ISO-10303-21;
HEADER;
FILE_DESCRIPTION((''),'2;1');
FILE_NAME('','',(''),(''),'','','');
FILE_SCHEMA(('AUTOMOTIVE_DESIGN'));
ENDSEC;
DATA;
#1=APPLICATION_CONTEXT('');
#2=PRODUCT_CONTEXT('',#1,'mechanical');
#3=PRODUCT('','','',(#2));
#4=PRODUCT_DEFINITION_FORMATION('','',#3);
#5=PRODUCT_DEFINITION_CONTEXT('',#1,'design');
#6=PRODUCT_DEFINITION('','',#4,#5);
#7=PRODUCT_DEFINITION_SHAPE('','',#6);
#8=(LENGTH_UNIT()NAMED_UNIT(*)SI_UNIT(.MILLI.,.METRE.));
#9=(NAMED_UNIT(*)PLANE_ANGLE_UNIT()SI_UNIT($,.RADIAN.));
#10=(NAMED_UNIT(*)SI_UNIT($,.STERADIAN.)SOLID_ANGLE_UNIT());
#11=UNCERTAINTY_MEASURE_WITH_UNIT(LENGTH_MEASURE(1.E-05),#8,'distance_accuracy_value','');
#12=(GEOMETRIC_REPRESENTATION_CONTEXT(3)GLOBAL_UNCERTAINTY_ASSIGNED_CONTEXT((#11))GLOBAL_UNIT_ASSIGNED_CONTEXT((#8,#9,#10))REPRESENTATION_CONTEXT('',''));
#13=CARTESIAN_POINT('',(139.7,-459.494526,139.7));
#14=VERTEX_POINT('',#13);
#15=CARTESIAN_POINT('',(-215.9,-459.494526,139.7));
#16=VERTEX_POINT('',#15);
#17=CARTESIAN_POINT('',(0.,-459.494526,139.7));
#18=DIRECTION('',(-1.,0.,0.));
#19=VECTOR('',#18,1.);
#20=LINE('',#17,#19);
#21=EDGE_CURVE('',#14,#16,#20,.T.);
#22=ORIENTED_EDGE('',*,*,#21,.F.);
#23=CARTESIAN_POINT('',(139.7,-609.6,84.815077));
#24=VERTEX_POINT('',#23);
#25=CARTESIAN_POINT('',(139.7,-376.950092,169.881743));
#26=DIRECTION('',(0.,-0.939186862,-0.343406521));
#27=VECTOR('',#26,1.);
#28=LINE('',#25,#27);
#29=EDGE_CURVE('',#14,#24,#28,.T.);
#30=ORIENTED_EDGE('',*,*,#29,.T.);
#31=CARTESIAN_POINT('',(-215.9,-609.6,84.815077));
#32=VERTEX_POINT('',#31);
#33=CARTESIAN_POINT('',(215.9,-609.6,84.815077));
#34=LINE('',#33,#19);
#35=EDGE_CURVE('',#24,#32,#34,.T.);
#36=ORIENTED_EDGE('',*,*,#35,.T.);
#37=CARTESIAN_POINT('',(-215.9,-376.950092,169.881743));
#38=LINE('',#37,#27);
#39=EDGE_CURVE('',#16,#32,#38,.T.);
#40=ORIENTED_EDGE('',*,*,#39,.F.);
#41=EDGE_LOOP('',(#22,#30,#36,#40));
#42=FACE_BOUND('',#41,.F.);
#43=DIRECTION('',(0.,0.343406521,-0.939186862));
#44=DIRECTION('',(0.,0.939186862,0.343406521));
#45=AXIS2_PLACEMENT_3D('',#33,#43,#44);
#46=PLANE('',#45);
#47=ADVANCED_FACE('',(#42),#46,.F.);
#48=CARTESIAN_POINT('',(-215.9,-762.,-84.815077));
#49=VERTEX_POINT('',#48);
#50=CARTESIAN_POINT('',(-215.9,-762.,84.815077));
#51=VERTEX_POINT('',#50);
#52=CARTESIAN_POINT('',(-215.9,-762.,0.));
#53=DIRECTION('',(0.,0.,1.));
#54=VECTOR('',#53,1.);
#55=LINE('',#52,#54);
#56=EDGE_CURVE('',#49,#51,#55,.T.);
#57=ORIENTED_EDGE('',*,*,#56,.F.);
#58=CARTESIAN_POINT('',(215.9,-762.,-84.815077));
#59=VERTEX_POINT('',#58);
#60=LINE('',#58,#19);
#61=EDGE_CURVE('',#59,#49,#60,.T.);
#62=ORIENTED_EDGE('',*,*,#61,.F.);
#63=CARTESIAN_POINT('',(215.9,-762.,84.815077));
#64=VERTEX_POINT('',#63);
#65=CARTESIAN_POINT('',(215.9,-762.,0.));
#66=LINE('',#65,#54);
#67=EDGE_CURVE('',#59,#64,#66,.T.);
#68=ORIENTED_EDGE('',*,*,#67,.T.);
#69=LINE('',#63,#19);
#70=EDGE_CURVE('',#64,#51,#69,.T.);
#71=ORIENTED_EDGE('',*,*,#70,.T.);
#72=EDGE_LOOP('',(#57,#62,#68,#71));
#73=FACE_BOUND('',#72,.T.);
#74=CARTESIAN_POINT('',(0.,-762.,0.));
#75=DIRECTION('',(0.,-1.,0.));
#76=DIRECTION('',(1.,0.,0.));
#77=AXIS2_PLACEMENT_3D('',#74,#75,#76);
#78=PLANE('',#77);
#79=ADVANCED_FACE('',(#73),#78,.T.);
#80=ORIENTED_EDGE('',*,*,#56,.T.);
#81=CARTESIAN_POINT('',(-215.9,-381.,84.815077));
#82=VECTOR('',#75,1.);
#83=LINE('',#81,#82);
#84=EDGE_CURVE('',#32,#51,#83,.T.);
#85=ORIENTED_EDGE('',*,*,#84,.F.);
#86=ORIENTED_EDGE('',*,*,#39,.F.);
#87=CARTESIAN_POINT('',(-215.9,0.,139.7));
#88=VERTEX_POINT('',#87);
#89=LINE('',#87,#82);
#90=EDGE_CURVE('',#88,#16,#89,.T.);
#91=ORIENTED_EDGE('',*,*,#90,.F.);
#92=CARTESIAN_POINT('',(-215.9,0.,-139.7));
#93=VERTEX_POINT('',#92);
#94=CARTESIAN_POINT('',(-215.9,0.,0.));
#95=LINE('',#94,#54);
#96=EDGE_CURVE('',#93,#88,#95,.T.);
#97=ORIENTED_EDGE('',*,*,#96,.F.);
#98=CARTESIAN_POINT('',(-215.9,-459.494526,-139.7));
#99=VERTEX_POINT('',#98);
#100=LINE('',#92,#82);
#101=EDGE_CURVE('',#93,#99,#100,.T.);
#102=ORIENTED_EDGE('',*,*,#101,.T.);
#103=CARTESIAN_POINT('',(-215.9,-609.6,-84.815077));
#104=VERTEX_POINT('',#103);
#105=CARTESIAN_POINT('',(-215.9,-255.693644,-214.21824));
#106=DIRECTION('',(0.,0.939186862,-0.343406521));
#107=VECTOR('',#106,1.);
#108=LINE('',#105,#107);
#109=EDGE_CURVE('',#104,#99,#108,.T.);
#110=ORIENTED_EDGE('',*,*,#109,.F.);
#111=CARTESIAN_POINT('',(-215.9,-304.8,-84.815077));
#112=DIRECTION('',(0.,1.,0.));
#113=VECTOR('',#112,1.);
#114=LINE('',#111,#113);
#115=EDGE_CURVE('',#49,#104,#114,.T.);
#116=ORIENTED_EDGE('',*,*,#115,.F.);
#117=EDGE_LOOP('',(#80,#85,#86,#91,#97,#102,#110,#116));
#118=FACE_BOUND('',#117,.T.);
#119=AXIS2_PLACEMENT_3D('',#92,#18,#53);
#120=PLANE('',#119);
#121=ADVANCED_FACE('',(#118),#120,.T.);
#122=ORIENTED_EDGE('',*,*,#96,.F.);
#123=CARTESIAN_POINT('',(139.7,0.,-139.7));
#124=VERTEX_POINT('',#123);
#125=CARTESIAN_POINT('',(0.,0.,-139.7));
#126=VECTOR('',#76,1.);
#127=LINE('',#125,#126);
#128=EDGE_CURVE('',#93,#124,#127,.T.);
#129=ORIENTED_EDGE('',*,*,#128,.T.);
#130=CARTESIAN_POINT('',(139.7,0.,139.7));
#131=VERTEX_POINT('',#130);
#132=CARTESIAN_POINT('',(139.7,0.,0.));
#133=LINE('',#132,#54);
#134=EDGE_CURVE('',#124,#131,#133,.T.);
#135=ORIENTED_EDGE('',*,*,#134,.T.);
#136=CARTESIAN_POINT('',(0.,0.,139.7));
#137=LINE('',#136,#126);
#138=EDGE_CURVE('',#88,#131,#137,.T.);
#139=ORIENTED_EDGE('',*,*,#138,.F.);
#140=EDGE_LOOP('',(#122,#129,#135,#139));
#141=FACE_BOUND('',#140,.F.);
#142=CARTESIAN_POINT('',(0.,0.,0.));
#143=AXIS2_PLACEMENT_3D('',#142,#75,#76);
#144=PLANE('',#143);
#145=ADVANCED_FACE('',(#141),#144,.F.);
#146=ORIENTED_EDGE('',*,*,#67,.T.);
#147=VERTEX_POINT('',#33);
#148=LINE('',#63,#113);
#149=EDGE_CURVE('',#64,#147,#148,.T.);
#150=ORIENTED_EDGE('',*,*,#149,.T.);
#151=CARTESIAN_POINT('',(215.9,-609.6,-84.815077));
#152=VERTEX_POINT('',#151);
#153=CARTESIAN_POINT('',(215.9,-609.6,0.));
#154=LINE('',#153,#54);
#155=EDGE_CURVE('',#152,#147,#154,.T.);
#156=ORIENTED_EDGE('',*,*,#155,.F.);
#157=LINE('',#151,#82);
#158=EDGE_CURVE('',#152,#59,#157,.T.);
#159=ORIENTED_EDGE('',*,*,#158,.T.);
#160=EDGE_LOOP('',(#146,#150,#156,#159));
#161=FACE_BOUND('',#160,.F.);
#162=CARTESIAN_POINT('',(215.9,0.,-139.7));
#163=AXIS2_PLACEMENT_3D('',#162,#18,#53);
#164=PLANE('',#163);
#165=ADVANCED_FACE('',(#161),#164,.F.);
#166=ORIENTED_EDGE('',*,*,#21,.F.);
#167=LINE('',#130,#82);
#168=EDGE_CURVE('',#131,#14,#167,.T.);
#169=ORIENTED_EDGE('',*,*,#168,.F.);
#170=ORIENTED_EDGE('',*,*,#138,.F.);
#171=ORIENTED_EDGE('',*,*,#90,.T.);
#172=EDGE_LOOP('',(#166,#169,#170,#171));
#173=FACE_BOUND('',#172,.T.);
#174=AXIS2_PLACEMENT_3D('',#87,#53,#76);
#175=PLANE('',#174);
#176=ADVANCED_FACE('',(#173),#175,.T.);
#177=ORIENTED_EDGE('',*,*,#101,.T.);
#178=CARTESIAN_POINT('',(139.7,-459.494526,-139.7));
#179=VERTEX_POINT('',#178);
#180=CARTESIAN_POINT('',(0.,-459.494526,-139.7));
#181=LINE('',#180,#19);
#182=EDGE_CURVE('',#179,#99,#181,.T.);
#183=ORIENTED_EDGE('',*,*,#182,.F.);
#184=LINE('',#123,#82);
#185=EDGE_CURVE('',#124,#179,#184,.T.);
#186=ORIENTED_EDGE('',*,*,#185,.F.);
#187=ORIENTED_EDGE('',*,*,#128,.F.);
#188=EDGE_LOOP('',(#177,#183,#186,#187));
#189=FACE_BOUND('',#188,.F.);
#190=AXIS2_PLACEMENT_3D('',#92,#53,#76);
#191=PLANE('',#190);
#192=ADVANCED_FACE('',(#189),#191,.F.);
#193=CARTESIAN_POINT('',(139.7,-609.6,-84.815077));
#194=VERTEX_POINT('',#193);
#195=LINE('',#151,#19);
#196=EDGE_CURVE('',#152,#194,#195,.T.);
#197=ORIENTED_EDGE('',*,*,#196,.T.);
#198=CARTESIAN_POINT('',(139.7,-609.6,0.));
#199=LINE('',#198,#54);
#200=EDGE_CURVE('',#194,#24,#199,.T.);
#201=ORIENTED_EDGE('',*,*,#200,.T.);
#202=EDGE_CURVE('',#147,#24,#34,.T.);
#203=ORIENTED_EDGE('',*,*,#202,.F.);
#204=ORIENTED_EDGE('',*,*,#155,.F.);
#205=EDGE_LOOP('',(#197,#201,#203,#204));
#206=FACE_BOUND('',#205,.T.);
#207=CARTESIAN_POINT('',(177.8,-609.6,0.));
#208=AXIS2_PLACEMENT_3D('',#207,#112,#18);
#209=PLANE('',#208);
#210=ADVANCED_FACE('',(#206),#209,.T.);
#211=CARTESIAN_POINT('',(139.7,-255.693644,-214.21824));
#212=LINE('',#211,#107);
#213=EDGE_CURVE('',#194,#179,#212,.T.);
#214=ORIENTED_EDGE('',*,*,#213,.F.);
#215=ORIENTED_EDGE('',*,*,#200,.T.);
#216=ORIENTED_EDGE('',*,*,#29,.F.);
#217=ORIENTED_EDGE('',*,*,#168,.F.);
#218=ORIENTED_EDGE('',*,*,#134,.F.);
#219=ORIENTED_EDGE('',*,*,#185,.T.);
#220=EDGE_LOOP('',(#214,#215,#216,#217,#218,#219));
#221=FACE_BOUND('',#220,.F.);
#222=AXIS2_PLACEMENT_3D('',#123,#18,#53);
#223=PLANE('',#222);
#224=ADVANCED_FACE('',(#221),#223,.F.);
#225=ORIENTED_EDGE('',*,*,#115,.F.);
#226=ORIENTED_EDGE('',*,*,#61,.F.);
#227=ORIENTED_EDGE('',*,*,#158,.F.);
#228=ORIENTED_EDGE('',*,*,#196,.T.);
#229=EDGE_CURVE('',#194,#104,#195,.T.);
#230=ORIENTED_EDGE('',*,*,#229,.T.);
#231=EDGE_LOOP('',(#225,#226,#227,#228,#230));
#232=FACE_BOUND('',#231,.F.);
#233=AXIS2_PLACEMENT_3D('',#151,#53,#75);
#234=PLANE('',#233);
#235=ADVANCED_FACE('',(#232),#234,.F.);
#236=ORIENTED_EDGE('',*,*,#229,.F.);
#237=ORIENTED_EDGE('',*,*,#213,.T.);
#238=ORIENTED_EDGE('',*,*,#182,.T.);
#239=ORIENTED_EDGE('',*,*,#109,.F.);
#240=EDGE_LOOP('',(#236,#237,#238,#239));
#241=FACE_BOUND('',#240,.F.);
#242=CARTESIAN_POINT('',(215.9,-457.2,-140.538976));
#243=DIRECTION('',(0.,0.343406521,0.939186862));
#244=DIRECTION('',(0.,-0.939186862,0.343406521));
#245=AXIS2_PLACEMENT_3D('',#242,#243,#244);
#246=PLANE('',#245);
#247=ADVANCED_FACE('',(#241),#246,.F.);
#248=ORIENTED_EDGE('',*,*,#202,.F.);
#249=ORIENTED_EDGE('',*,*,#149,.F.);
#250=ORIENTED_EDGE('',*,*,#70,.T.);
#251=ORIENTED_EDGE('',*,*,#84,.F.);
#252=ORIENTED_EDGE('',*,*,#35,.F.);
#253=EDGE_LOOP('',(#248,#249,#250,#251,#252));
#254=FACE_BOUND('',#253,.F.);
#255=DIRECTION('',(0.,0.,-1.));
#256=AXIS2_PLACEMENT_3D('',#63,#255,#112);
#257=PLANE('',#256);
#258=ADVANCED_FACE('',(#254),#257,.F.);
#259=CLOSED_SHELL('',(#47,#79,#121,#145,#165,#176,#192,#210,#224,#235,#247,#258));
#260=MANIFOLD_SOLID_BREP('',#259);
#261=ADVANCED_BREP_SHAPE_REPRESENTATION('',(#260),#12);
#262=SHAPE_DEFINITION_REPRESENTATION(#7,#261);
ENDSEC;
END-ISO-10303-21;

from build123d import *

# Parameters (mm, degrees)
F0_W     = 431.8
F0_H     = 279.4
F1_DEPTH = 762
F2_W     = 76.2
F2_H     = 279.4
F3_DEPTH = 609.6
F5_DEPTH = 431.801


with BuildPart() as f1:
    # F0 (on Front) → F1 (new body)
    with BuildSketch(Plane.XZ):
        Rectangle(F0_W, F0_H)
    extrude(amount=F1_DEPTH)

    # F2 (on face) → F3 (cut)
    with BuildSketch(Plane(origin=(0, 0, 0), x_dir=(-1, 0, 0), z_dir=(0, 1, 0))):
        with Locations((-177.8, 0)):
            Rectangle(F2_W, F2_H)
    extrude(amount=-F3_DEPTH, mode=Mode.SUBTRACT)

    # F4 (on face) → F5 (cut, through all)
    with BuildSketch(Plane.YZ.offset(215.9)):
        Polygon((-762, 139.7), (-762, 84.815077), (-609.6, 84.815077), (-457.2, 140.538976), align=None)
        Polygon((-762, -84.815077), (-762, -139.7), (-457.2, -140.538976), (-609.6, -84.815077), align=None)
    extrude(amount=-F5_DEPTH, mode=Mode.SUBTRACT)


solid = f1.part
